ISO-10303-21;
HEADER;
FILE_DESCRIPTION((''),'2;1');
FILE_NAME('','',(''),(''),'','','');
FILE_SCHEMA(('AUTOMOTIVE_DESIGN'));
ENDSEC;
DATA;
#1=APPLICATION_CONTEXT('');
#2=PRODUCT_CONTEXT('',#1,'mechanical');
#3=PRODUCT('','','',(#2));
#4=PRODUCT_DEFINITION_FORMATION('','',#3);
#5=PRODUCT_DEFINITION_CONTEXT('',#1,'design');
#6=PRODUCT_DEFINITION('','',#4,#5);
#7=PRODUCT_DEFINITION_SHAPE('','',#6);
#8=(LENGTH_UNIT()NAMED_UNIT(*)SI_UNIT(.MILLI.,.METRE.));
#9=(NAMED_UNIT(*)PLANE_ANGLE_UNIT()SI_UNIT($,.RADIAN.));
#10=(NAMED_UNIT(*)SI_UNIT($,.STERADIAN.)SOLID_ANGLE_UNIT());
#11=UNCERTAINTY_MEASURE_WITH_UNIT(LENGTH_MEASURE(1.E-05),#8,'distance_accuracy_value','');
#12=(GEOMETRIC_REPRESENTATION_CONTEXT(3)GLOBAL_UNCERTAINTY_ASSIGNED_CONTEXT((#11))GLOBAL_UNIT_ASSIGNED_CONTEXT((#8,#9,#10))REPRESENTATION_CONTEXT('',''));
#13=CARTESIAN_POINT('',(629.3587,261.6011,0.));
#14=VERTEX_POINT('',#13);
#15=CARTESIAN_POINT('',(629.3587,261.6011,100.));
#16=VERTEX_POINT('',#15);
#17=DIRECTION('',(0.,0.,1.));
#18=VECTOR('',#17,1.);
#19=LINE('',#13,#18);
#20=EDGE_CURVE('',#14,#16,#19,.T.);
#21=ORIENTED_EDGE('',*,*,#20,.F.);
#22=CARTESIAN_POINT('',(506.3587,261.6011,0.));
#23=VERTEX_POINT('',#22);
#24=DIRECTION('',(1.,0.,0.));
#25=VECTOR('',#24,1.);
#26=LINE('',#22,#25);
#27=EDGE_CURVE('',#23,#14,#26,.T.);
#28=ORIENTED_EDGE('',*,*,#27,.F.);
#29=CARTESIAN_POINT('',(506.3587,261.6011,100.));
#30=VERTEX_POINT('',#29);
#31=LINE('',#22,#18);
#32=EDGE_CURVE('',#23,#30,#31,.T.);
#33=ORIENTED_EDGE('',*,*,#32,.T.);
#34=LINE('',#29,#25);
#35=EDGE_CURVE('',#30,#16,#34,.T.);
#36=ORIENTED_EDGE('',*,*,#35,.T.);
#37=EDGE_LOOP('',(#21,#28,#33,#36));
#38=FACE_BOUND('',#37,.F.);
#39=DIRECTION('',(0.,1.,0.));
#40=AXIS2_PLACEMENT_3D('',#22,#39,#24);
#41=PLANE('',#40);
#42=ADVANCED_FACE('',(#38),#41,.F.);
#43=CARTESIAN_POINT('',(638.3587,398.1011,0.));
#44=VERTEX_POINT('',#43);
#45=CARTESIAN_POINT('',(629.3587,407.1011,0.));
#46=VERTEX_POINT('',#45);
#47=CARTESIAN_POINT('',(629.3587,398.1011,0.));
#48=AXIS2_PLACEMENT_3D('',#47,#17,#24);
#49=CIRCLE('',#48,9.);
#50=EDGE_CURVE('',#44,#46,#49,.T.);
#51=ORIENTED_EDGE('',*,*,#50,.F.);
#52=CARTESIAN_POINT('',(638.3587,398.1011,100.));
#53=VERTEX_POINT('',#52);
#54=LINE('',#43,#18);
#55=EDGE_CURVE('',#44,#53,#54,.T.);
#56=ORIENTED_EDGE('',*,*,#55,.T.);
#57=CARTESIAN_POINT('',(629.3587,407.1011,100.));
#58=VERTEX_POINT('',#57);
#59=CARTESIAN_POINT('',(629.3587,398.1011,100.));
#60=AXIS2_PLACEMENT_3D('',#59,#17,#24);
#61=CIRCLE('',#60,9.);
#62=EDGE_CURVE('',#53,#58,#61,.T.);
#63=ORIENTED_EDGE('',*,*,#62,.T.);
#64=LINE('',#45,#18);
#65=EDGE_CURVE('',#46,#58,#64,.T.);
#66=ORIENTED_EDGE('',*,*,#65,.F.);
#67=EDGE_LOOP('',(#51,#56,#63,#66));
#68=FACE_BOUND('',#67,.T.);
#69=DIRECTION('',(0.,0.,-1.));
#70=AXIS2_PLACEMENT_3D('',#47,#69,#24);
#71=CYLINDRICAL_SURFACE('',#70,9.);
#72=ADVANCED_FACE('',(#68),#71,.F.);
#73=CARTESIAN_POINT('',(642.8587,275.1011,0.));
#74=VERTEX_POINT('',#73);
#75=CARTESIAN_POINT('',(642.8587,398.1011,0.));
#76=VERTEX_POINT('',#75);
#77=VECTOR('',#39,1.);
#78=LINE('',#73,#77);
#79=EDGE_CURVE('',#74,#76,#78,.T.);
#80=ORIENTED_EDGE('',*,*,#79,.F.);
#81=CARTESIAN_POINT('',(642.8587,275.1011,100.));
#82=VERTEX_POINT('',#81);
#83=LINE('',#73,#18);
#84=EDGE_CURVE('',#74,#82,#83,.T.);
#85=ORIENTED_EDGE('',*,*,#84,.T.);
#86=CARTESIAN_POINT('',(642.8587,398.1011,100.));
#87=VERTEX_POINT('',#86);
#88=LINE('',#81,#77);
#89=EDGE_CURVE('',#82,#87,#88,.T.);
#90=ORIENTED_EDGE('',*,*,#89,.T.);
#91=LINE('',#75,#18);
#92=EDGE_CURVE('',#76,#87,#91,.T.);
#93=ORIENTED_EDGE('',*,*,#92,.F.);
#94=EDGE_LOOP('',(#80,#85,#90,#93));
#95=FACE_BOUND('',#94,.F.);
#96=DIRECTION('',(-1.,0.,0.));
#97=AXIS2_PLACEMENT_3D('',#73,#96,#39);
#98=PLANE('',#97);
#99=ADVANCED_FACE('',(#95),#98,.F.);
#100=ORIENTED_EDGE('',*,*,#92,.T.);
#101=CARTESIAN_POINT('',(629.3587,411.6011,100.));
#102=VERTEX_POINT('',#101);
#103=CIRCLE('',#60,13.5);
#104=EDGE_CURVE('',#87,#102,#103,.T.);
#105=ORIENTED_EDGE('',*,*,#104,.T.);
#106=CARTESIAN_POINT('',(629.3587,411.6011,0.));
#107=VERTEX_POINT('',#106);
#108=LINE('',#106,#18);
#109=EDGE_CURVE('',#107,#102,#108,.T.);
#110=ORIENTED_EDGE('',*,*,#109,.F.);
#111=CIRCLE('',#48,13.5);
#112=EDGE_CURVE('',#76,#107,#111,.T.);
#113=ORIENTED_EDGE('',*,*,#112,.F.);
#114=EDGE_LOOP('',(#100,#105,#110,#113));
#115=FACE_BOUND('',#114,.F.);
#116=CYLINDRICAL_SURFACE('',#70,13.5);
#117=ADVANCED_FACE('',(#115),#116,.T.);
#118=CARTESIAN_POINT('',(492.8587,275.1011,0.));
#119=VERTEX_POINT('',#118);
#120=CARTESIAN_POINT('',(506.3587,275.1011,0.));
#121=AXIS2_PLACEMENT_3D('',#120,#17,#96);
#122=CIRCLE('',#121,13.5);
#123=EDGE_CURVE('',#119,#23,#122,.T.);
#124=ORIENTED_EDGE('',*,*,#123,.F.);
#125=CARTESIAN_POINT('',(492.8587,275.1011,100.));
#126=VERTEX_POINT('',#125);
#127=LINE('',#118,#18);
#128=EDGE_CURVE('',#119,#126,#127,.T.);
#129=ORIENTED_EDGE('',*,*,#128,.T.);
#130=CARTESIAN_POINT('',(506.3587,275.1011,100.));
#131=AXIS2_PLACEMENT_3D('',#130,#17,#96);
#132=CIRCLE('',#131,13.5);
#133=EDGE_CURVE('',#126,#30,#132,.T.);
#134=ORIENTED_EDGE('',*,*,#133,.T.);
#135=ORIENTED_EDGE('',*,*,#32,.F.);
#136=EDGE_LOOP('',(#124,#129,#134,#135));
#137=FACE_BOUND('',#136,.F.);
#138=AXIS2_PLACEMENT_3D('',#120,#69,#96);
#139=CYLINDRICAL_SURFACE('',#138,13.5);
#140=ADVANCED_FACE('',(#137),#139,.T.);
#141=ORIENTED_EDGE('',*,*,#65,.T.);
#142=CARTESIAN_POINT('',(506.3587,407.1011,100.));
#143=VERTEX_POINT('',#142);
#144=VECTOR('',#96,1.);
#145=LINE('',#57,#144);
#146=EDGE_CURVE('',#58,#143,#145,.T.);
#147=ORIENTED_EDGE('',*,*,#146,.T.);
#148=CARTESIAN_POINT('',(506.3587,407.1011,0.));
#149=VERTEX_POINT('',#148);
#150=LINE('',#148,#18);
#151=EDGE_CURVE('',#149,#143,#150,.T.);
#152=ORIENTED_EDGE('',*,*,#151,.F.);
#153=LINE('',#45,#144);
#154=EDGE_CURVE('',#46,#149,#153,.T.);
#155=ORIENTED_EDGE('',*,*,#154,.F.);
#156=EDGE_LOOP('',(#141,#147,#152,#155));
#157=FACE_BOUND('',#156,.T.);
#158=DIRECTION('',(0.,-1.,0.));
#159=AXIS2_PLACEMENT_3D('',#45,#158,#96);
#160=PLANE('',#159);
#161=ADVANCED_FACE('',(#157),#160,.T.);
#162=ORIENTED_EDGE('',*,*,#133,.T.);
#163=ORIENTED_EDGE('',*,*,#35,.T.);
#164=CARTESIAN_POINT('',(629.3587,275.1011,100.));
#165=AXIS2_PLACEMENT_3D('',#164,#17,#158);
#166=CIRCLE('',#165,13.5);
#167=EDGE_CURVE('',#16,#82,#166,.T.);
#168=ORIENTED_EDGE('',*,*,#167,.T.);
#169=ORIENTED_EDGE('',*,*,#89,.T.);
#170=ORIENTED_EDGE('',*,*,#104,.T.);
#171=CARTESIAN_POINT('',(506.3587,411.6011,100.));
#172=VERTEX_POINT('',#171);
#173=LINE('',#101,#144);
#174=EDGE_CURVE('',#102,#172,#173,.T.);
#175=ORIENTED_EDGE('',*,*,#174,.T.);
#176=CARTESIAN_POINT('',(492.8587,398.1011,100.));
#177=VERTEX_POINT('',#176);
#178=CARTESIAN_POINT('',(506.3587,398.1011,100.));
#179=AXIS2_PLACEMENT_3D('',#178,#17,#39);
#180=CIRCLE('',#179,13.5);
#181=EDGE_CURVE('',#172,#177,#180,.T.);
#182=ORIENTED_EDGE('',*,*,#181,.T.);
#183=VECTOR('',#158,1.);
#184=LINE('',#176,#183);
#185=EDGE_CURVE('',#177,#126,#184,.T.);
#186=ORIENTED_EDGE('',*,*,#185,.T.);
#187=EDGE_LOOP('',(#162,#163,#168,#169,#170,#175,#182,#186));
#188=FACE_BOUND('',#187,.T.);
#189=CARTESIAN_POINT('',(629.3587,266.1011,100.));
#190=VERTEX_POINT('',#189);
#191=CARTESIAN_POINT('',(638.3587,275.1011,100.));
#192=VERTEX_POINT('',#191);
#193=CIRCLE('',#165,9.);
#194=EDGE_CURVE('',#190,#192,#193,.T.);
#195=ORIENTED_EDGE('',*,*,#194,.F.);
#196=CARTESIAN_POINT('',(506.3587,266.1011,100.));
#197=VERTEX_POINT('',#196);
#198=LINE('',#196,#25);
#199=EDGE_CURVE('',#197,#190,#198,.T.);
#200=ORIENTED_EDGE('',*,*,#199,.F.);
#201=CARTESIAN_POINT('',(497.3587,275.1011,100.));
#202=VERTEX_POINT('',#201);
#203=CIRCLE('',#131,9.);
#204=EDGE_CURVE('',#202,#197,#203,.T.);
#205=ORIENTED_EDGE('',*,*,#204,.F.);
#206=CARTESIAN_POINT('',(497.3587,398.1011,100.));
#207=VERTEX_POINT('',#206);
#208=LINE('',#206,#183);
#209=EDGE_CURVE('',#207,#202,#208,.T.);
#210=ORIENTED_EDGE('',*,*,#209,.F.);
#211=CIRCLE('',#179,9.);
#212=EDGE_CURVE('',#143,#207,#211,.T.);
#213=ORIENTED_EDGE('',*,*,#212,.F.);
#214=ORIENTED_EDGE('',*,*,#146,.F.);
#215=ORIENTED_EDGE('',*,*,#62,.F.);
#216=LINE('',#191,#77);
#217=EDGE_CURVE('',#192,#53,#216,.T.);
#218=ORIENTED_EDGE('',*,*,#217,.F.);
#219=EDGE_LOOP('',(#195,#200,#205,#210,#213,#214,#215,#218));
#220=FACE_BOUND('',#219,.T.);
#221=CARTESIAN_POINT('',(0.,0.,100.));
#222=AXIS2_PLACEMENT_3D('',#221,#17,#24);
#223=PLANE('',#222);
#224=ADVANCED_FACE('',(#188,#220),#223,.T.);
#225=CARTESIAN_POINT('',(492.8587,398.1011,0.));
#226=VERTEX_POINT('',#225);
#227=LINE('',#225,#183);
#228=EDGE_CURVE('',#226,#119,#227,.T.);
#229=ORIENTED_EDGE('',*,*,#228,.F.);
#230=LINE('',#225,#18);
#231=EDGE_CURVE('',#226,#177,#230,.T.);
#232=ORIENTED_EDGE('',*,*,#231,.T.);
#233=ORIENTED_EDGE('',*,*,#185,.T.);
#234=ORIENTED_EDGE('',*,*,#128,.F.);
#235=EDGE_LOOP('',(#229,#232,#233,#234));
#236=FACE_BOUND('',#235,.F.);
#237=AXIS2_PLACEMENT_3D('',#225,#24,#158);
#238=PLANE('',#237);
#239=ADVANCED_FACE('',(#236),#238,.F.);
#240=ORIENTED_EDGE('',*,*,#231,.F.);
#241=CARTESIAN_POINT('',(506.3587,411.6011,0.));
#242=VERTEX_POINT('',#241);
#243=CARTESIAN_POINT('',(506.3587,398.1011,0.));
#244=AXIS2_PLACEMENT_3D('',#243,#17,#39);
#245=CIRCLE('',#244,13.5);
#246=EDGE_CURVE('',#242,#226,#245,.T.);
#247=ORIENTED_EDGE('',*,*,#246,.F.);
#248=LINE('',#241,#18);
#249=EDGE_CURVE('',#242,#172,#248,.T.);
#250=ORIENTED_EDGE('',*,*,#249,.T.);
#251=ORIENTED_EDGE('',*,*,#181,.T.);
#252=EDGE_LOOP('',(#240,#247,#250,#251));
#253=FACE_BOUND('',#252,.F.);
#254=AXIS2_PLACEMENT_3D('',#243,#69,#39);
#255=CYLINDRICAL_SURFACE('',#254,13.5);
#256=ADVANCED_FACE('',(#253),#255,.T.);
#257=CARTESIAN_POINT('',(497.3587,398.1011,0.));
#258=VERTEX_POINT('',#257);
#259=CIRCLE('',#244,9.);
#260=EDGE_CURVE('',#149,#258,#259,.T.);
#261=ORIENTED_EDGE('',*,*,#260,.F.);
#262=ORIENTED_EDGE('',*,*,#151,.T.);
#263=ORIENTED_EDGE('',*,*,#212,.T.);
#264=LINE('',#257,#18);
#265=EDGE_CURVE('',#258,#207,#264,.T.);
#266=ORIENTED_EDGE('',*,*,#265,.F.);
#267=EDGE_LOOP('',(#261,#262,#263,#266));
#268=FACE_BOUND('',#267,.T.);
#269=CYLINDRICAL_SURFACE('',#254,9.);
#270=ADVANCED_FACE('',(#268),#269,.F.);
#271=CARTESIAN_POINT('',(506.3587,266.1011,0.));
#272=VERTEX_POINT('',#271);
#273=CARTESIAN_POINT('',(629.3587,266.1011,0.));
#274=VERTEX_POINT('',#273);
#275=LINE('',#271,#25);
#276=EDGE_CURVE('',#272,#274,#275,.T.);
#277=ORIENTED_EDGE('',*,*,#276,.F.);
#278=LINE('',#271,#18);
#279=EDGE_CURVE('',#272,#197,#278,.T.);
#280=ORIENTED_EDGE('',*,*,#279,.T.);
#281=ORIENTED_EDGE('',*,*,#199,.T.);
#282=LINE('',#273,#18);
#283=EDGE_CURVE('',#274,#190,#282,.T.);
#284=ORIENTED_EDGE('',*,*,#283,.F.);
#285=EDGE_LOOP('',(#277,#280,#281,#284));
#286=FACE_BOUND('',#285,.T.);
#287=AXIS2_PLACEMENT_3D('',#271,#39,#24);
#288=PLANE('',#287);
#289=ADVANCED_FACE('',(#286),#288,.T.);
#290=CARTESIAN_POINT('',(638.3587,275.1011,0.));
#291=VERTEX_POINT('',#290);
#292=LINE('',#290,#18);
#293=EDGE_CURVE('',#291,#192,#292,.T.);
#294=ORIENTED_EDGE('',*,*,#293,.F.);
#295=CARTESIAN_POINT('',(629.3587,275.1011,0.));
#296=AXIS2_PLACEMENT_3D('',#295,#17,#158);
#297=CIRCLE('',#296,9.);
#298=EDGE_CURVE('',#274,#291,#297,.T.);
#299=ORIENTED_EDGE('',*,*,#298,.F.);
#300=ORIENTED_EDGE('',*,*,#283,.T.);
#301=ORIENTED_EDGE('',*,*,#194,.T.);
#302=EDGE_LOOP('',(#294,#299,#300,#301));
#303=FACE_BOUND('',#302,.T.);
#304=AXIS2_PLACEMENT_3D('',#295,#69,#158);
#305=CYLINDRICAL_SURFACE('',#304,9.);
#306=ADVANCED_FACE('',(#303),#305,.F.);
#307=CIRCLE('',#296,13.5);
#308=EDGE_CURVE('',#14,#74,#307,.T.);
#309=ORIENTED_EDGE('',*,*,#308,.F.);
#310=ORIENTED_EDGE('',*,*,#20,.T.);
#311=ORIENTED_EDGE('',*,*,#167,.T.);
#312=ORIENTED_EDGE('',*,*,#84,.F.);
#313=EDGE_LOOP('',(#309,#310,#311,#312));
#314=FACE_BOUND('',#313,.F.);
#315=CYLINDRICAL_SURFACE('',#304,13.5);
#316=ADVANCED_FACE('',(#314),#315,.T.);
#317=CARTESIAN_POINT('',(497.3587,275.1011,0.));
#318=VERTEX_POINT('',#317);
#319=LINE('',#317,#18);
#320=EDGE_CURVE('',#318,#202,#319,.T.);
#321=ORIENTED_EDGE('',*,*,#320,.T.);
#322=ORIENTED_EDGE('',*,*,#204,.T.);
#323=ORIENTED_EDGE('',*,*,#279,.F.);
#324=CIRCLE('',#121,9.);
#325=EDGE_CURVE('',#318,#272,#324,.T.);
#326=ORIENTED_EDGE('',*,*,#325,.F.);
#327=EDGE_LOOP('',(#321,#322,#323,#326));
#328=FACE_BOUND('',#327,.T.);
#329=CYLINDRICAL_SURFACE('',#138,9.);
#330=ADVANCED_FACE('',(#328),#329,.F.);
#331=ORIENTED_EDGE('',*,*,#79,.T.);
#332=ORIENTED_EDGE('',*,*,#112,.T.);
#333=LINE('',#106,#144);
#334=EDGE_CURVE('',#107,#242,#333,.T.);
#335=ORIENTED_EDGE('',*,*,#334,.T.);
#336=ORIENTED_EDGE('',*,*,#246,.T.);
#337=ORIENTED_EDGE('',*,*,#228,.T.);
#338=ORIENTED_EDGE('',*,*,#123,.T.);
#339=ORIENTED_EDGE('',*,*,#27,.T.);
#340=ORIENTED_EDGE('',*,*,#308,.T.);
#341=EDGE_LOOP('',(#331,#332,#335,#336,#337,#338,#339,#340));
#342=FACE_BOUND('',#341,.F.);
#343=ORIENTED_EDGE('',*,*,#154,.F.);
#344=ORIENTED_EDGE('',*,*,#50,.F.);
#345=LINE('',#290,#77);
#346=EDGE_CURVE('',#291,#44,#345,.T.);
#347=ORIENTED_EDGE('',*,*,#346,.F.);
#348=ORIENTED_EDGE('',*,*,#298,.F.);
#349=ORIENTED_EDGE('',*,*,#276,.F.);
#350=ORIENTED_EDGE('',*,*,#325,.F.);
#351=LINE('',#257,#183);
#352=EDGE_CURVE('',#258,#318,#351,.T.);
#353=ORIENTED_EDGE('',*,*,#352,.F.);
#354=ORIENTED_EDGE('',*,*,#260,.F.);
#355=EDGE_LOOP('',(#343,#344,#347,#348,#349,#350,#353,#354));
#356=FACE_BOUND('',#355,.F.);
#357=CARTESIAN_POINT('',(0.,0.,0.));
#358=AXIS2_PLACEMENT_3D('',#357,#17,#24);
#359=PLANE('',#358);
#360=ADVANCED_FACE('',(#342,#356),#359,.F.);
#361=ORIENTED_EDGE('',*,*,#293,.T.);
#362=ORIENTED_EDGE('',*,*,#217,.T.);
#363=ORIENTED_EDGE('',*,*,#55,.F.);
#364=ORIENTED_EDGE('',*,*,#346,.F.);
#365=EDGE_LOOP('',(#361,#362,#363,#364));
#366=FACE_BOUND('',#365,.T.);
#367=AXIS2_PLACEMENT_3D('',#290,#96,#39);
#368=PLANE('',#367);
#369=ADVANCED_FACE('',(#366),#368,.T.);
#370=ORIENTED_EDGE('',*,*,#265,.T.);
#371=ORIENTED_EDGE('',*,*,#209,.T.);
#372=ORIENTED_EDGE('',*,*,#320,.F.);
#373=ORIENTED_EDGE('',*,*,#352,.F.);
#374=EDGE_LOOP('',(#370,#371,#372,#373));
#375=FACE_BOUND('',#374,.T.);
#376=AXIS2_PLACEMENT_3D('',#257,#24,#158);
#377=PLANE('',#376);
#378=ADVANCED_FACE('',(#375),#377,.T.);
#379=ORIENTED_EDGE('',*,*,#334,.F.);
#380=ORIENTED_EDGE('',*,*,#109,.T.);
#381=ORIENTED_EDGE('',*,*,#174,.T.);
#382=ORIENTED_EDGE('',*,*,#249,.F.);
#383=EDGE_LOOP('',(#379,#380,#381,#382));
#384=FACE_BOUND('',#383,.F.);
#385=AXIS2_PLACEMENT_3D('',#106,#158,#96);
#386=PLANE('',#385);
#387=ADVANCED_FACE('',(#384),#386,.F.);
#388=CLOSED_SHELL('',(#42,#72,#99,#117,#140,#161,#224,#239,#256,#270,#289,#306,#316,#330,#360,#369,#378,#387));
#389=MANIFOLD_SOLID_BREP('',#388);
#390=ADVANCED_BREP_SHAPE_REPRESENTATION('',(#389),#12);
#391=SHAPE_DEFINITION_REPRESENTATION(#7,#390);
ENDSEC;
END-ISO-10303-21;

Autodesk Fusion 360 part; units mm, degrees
sketch "スケッチ1" plane through (0, 0, 0) normal (0, 0, 1) x (1, 0, 0)
  arc A0 (506.3587, 411.6011) -> (492.8587, 398.1011) centre (506.3587, 398.1011) ccw
  arc A1 (506.3587, 407.1011) -> (497.3587, 398.1011) centre (506.3587, 398.1011) ccw
  arc A2 (642.8587, 398.1011) -> (629.3587, 411.6011) centre (629.3587, 398.1011) ccw
  arc A3 (638.3587, 398.1011) -> (629.3587, 407.1011) centre (629.3587, 398.1011) ccw
  line L0 (506.3587, 261.6011) -> (629.3587, 261.6011)
  line L1 (506.3587, 266.1011) -> (629.3587, 266.1011)
  arc A4 (492.8587, 275.1011) -> (506.3587, 261.6011) centre (506.3587, 275.1011) ccw
  arc A5 (497.3587, 275.1011) -> (506.3587, 266.1011) centre (506.3587, 275.1011) ccw
  line L2 (492.8587, 398.1011) -> (492.8587, 275.1011)
  line L3 (497.3587, 398.1011) -> (497.3587, 275.1011)
  arc A6 (629.3587, 261.6011) -> (642.8587, 275.1011) centre (629.3587, 275.1011) ccw
  arc A7 (629.3587, 266.1011) -> (638.3587, 275.1011) centre (629.3587, 275.1011) ccw
  line L4 (638.3587, 275.1011) -> (638.3587, 398.1011)
  line L5 (642.8587, 275.1011) -> (642.8587, 398.1011)
  line L6 (629.3587, 411.6011) -> (506.3587, 411.6011)
  line L7 (629.3587, 407.1011) -> (506.3587, 407.1011)
  point P0 (567.8587, 336.6011)
extrude "押し出し1" add sketch "スケッチ1" along normal blind 100
